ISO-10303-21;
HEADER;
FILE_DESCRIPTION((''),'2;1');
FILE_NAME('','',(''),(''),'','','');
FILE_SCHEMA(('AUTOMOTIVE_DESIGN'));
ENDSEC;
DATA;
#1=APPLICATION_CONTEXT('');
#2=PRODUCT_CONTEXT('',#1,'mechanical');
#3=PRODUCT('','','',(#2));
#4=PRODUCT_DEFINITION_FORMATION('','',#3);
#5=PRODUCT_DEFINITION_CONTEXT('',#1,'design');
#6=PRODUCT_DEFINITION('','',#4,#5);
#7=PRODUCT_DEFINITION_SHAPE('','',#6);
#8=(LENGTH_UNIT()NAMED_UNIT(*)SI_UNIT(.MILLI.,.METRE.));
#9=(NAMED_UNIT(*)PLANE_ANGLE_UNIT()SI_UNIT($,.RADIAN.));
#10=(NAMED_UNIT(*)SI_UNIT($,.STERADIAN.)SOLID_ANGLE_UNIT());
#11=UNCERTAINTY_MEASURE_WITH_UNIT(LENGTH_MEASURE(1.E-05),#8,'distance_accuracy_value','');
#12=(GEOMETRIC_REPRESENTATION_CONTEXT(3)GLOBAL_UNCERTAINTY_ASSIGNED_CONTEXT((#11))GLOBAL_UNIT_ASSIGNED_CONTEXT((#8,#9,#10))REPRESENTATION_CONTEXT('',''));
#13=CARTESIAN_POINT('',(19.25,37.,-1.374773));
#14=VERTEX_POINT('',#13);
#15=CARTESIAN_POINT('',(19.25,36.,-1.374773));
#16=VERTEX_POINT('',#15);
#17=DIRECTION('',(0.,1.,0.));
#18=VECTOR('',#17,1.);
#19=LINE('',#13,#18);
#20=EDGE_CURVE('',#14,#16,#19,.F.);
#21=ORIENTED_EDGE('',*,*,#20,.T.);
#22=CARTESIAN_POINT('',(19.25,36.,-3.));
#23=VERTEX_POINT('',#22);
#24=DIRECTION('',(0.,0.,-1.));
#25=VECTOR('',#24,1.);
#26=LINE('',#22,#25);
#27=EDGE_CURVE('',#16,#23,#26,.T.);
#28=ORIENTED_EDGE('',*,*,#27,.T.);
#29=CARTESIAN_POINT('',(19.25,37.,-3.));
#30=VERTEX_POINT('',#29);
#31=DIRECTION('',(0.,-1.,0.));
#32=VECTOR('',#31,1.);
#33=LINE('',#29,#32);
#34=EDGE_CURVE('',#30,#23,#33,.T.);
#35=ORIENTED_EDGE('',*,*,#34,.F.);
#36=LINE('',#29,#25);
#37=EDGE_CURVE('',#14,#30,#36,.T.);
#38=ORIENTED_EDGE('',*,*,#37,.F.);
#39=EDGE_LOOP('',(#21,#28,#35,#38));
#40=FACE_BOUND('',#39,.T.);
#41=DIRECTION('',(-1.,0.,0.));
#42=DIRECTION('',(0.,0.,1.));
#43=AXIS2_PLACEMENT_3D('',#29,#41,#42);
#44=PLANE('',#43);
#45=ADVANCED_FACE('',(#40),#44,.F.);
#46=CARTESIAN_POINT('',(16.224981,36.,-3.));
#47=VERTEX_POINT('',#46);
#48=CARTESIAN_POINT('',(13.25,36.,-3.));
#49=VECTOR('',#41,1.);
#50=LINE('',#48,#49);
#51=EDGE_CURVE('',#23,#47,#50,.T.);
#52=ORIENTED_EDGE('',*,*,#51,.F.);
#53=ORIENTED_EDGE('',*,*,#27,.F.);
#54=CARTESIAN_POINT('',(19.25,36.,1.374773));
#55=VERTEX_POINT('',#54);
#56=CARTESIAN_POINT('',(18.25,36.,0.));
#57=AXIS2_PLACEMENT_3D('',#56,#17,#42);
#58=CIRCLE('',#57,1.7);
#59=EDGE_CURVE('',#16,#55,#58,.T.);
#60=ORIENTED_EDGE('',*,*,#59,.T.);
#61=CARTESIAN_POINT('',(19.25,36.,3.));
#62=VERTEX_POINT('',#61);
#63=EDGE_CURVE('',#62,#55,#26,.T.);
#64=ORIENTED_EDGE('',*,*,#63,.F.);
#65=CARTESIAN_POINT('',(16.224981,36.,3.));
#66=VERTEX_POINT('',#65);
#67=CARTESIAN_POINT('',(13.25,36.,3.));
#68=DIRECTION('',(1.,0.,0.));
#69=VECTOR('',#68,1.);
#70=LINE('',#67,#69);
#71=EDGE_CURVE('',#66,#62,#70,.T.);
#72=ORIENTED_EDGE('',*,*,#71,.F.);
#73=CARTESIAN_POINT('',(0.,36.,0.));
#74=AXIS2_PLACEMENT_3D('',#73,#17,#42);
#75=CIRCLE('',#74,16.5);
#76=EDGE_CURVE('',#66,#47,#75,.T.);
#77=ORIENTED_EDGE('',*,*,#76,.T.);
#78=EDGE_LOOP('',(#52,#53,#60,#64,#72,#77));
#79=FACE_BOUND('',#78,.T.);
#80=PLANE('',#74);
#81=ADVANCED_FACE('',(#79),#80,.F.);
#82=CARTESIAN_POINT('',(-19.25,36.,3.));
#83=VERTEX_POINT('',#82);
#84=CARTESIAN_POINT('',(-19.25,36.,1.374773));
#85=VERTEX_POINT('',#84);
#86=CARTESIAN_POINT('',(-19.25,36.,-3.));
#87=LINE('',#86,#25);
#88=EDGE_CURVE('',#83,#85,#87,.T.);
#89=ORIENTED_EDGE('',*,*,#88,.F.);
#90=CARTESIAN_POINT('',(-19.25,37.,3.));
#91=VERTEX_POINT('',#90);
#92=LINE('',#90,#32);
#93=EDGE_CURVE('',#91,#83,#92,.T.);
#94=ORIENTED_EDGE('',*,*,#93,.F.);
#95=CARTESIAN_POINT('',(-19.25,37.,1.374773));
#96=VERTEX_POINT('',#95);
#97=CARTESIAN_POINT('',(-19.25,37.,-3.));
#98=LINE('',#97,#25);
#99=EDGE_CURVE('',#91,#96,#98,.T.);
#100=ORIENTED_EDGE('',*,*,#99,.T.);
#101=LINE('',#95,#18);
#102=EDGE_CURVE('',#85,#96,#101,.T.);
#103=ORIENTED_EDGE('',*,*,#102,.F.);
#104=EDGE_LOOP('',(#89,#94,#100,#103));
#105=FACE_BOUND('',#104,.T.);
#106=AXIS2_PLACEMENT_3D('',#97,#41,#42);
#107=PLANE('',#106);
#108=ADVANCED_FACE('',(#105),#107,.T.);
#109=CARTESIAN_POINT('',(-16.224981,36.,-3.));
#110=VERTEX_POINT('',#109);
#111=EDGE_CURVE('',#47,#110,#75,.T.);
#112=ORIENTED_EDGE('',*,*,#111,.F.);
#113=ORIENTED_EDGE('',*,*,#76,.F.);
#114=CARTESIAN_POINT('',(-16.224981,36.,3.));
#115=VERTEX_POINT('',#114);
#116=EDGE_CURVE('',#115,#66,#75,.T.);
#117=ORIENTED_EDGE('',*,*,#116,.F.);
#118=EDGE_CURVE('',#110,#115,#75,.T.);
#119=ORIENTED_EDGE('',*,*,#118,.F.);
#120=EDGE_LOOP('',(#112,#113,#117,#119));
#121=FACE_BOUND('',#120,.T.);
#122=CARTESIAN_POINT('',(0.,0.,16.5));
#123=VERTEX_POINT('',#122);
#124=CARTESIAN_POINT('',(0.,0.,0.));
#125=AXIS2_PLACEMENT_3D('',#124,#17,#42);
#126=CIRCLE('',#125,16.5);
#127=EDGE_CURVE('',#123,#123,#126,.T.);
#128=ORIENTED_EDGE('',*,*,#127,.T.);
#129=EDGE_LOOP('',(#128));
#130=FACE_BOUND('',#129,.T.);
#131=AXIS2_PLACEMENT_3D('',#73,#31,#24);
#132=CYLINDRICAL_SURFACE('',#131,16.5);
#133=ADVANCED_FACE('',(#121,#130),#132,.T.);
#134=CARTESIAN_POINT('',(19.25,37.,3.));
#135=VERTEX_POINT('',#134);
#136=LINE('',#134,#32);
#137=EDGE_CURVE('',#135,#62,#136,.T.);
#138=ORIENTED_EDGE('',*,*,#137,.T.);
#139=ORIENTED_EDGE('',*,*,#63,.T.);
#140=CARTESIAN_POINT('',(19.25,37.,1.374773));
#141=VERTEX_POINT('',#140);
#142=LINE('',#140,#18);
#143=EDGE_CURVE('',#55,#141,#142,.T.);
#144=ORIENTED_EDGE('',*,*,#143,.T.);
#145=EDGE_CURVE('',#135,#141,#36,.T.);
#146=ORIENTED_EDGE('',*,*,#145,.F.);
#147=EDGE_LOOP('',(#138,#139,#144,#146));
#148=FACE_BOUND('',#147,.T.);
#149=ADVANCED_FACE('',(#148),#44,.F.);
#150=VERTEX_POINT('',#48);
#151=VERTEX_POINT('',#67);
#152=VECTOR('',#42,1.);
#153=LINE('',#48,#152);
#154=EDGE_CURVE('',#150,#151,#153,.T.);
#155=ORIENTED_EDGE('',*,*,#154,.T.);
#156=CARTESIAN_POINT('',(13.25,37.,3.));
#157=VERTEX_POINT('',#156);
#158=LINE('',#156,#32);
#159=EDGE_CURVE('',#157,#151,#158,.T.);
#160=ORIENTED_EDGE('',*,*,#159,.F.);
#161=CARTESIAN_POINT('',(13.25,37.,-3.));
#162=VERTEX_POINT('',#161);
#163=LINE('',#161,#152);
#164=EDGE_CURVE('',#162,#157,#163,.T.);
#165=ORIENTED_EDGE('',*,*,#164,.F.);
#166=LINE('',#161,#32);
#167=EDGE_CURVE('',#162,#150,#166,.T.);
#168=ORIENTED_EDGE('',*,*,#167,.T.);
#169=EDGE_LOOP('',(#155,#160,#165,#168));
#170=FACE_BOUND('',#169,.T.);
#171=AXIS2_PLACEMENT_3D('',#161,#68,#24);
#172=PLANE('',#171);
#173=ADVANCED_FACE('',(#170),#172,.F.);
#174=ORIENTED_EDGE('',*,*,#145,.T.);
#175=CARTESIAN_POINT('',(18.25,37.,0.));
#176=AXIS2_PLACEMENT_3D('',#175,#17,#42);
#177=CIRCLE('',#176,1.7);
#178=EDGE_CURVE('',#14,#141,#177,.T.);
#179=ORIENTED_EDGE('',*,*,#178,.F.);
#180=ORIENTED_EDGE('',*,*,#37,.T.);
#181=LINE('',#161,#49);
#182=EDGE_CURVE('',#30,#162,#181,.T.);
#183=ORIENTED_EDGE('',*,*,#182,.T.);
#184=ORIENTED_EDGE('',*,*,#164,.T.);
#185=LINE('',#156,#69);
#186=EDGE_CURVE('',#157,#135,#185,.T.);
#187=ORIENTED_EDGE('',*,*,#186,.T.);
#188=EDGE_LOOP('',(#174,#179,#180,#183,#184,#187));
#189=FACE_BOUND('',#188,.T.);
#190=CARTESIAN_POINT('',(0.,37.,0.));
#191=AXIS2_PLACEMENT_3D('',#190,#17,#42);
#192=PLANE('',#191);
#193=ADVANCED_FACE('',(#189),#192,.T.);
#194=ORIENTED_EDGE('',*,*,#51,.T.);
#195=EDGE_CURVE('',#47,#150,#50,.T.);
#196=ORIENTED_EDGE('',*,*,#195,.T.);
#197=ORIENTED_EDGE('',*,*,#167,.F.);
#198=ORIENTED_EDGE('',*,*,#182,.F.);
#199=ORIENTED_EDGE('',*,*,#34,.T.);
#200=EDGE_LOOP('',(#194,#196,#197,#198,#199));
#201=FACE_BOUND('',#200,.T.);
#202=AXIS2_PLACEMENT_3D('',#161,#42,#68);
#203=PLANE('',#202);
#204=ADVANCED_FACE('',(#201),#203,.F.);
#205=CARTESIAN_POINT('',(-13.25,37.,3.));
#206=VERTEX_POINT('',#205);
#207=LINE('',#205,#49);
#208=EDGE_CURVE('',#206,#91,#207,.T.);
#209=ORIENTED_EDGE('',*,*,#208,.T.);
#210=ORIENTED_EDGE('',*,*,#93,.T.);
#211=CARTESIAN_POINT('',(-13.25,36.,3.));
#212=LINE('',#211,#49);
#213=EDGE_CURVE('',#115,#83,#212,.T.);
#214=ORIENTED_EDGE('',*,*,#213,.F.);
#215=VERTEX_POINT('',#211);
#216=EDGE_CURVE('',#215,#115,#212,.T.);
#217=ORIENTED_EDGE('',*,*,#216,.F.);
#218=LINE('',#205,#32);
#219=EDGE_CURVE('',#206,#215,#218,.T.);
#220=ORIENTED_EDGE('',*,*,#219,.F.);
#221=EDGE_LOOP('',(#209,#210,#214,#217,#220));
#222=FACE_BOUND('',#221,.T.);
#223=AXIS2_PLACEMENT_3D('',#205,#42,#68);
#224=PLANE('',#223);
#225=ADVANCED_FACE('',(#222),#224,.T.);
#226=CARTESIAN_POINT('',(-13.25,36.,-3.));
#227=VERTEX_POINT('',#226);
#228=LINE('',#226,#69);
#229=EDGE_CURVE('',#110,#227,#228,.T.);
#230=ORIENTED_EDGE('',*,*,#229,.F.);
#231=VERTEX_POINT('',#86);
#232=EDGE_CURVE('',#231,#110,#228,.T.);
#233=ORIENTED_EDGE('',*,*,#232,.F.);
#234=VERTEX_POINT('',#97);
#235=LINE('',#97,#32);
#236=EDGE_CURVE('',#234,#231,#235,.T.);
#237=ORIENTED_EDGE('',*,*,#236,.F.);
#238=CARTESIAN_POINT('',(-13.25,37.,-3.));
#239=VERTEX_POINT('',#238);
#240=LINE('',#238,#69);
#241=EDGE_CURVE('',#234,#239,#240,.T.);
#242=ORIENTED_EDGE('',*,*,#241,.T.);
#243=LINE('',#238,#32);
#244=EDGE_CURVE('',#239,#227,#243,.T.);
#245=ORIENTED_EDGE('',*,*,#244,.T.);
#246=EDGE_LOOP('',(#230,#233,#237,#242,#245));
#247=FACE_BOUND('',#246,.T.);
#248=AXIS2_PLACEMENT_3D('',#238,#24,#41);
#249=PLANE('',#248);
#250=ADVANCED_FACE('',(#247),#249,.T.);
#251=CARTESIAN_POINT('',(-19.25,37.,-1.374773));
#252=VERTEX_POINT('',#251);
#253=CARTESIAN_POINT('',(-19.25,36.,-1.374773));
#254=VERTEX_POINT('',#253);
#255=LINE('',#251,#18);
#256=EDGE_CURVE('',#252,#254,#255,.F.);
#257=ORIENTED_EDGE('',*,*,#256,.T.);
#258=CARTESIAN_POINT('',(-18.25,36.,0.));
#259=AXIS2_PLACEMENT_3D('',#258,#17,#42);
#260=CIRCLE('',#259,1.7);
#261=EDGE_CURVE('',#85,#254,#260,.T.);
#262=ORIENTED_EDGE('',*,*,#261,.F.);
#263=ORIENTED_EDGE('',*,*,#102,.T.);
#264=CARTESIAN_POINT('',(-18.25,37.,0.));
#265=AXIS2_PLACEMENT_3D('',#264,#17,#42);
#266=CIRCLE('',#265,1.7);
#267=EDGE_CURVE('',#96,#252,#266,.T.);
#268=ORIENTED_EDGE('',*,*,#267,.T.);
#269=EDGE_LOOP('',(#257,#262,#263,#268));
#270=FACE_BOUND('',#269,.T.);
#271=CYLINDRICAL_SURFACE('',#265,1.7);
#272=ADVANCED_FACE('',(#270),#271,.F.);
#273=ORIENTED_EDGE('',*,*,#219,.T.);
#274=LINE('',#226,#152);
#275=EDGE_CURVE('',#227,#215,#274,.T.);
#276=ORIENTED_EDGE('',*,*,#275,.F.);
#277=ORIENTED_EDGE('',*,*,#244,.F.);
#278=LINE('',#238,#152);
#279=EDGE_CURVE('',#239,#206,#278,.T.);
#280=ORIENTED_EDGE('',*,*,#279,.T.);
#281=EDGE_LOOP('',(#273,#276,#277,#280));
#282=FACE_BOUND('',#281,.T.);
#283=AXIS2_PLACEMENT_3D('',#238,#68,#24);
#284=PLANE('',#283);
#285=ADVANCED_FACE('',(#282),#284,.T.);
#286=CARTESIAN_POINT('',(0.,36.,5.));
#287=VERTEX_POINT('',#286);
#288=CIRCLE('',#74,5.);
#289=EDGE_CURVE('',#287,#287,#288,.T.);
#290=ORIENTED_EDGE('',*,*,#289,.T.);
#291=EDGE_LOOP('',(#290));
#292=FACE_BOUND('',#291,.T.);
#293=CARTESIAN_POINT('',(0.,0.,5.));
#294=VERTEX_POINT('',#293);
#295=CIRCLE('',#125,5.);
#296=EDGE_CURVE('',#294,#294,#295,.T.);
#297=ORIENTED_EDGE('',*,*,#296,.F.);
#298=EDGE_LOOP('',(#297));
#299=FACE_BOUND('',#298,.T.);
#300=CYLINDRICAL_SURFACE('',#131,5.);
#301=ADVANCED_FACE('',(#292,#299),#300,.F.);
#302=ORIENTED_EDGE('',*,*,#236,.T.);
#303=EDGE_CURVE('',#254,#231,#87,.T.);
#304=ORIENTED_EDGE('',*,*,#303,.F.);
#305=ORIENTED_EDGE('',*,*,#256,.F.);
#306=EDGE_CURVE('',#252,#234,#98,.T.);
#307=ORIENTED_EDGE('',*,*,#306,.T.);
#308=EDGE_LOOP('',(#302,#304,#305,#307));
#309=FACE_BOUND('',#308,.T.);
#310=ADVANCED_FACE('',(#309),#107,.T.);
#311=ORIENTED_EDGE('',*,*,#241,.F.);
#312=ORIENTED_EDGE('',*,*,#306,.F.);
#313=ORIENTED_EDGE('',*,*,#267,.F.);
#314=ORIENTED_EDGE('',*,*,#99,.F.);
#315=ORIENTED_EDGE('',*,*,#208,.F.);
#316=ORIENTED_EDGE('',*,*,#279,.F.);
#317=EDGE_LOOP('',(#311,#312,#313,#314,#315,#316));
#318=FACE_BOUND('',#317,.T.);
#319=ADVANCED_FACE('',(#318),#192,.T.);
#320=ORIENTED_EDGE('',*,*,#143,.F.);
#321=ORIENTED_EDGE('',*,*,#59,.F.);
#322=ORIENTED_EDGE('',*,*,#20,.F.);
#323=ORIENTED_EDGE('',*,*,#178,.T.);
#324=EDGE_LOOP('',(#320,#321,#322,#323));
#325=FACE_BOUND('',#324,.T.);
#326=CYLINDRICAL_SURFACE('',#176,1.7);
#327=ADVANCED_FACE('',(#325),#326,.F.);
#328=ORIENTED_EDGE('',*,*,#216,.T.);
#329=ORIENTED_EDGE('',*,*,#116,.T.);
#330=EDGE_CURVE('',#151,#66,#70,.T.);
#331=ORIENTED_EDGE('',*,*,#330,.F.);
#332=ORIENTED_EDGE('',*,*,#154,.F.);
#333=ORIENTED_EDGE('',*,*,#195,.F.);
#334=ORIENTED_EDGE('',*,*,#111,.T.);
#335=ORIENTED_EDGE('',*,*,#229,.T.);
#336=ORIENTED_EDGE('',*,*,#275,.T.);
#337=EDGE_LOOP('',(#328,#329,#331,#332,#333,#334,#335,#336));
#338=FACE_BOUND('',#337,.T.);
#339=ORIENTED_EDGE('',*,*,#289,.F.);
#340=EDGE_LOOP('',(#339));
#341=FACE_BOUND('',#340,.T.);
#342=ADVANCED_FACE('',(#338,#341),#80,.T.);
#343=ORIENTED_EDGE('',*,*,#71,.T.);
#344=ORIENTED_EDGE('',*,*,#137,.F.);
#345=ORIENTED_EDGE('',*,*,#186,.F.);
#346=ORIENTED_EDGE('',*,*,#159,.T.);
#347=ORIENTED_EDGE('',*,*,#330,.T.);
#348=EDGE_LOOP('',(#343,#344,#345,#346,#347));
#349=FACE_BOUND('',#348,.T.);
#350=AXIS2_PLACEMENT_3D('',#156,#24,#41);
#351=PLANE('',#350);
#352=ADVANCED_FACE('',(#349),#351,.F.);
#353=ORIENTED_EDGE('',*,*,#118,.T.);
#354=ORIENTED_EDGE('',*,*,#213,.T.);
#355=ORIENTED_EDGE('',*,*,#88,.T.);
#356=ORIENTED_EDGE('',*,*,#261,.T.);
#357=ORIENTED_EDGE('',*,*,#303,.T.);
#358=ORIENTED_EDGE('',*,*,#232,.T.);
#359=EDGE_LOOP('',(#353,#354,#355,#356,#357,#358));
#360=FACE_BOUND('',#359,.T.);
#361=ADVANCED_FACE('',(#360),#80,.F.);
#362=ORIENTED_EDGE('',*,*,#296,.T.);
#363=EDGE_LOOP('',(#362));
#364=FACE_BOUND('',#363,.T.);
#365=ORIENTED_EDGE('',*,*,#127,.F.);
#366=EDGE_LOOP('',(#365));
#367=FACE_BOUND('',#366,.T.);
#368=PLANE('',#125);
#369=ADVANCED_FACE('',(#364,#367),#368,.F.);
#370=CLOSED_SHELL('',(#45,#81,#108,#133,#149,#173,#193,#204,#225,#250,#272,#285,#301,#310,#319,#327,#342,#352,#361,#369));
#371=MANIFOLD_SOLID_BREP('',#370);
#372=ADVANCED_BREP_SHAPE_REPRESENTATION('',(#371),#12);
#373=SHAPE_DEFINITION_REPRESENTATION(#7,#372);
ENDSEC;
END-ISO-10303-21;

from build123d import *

# Parameters (mm, degrees)
SKETCH1_R            = 16.5
SKETCH1_R_2          = 5
BOSS_EXTRUDE1_DEPTH  = 36
SKETCH2_W            = 6
SKETCH2_H            = 6
BOSS_EXTRUDE2_DEPTH  = 1
M3_CLEARANCE_HOLE1_D = 3.4


with BuildPart() as part:
    # Sketch1 → Boss-Extrude1 (new body)
    with BuildSketch(Plane(origin=(0, 0, 0), x_dir=(1, 0, 0), z_dir=(0, 1, 0))):
        with Locations(Location((0, 0, 0), (0, 0, 270))):
            Circle(SKETCH1_R)
        with Locations(Location((0, 0, 0), (0, 0, 270))):
            Circle(SKETCH1_R_2, mode=Mode.SUBTRACT)
    extrude(amount=BOSS_EXTRUDE1_DEPTH)

    # Sketch2 → Boss-Extrude2 (add)
    with BuildSketch(Plane(origin=(0, 36, 0), x_dir=(1, 0, 0), z_dir=(0, 1, 0))):
        with Locations((16.25, 0)):
            Rectangle(SKETCH2_W, SKETCH2_H)
    boss_extrude2 = extrude(amount=BOSS_EXTRUDE2_DEPTH)

    # M3 Clearance Hole1 (through all)
    with Locations(Plane(origin=(0, 37, 0), x_dir=(1, 0, 0), z_dir=(0, 1, 0))):
        with Locations((18.25, 0)):
            m3_clearance_hole1 = Hole(M3_CLEARANCE_HOLE1_D / 2)

    # Mirror1: Boss-Extrude2, M3 Clearance Hole1 across plane
    add(boss_extrude2.mirror(Plane(origin=(0, 0, 0), x_dir=(0, 0, 1), z_dir=(1, 0, 0))))
    add(m3_clearance_hole1.mirror(Plane(origin=(0, 0, 0), x_dir=(0, 0, 1), z_dir=(1, 0, 0))), mode=Mode.SUBTRACT)


solid = part.part
